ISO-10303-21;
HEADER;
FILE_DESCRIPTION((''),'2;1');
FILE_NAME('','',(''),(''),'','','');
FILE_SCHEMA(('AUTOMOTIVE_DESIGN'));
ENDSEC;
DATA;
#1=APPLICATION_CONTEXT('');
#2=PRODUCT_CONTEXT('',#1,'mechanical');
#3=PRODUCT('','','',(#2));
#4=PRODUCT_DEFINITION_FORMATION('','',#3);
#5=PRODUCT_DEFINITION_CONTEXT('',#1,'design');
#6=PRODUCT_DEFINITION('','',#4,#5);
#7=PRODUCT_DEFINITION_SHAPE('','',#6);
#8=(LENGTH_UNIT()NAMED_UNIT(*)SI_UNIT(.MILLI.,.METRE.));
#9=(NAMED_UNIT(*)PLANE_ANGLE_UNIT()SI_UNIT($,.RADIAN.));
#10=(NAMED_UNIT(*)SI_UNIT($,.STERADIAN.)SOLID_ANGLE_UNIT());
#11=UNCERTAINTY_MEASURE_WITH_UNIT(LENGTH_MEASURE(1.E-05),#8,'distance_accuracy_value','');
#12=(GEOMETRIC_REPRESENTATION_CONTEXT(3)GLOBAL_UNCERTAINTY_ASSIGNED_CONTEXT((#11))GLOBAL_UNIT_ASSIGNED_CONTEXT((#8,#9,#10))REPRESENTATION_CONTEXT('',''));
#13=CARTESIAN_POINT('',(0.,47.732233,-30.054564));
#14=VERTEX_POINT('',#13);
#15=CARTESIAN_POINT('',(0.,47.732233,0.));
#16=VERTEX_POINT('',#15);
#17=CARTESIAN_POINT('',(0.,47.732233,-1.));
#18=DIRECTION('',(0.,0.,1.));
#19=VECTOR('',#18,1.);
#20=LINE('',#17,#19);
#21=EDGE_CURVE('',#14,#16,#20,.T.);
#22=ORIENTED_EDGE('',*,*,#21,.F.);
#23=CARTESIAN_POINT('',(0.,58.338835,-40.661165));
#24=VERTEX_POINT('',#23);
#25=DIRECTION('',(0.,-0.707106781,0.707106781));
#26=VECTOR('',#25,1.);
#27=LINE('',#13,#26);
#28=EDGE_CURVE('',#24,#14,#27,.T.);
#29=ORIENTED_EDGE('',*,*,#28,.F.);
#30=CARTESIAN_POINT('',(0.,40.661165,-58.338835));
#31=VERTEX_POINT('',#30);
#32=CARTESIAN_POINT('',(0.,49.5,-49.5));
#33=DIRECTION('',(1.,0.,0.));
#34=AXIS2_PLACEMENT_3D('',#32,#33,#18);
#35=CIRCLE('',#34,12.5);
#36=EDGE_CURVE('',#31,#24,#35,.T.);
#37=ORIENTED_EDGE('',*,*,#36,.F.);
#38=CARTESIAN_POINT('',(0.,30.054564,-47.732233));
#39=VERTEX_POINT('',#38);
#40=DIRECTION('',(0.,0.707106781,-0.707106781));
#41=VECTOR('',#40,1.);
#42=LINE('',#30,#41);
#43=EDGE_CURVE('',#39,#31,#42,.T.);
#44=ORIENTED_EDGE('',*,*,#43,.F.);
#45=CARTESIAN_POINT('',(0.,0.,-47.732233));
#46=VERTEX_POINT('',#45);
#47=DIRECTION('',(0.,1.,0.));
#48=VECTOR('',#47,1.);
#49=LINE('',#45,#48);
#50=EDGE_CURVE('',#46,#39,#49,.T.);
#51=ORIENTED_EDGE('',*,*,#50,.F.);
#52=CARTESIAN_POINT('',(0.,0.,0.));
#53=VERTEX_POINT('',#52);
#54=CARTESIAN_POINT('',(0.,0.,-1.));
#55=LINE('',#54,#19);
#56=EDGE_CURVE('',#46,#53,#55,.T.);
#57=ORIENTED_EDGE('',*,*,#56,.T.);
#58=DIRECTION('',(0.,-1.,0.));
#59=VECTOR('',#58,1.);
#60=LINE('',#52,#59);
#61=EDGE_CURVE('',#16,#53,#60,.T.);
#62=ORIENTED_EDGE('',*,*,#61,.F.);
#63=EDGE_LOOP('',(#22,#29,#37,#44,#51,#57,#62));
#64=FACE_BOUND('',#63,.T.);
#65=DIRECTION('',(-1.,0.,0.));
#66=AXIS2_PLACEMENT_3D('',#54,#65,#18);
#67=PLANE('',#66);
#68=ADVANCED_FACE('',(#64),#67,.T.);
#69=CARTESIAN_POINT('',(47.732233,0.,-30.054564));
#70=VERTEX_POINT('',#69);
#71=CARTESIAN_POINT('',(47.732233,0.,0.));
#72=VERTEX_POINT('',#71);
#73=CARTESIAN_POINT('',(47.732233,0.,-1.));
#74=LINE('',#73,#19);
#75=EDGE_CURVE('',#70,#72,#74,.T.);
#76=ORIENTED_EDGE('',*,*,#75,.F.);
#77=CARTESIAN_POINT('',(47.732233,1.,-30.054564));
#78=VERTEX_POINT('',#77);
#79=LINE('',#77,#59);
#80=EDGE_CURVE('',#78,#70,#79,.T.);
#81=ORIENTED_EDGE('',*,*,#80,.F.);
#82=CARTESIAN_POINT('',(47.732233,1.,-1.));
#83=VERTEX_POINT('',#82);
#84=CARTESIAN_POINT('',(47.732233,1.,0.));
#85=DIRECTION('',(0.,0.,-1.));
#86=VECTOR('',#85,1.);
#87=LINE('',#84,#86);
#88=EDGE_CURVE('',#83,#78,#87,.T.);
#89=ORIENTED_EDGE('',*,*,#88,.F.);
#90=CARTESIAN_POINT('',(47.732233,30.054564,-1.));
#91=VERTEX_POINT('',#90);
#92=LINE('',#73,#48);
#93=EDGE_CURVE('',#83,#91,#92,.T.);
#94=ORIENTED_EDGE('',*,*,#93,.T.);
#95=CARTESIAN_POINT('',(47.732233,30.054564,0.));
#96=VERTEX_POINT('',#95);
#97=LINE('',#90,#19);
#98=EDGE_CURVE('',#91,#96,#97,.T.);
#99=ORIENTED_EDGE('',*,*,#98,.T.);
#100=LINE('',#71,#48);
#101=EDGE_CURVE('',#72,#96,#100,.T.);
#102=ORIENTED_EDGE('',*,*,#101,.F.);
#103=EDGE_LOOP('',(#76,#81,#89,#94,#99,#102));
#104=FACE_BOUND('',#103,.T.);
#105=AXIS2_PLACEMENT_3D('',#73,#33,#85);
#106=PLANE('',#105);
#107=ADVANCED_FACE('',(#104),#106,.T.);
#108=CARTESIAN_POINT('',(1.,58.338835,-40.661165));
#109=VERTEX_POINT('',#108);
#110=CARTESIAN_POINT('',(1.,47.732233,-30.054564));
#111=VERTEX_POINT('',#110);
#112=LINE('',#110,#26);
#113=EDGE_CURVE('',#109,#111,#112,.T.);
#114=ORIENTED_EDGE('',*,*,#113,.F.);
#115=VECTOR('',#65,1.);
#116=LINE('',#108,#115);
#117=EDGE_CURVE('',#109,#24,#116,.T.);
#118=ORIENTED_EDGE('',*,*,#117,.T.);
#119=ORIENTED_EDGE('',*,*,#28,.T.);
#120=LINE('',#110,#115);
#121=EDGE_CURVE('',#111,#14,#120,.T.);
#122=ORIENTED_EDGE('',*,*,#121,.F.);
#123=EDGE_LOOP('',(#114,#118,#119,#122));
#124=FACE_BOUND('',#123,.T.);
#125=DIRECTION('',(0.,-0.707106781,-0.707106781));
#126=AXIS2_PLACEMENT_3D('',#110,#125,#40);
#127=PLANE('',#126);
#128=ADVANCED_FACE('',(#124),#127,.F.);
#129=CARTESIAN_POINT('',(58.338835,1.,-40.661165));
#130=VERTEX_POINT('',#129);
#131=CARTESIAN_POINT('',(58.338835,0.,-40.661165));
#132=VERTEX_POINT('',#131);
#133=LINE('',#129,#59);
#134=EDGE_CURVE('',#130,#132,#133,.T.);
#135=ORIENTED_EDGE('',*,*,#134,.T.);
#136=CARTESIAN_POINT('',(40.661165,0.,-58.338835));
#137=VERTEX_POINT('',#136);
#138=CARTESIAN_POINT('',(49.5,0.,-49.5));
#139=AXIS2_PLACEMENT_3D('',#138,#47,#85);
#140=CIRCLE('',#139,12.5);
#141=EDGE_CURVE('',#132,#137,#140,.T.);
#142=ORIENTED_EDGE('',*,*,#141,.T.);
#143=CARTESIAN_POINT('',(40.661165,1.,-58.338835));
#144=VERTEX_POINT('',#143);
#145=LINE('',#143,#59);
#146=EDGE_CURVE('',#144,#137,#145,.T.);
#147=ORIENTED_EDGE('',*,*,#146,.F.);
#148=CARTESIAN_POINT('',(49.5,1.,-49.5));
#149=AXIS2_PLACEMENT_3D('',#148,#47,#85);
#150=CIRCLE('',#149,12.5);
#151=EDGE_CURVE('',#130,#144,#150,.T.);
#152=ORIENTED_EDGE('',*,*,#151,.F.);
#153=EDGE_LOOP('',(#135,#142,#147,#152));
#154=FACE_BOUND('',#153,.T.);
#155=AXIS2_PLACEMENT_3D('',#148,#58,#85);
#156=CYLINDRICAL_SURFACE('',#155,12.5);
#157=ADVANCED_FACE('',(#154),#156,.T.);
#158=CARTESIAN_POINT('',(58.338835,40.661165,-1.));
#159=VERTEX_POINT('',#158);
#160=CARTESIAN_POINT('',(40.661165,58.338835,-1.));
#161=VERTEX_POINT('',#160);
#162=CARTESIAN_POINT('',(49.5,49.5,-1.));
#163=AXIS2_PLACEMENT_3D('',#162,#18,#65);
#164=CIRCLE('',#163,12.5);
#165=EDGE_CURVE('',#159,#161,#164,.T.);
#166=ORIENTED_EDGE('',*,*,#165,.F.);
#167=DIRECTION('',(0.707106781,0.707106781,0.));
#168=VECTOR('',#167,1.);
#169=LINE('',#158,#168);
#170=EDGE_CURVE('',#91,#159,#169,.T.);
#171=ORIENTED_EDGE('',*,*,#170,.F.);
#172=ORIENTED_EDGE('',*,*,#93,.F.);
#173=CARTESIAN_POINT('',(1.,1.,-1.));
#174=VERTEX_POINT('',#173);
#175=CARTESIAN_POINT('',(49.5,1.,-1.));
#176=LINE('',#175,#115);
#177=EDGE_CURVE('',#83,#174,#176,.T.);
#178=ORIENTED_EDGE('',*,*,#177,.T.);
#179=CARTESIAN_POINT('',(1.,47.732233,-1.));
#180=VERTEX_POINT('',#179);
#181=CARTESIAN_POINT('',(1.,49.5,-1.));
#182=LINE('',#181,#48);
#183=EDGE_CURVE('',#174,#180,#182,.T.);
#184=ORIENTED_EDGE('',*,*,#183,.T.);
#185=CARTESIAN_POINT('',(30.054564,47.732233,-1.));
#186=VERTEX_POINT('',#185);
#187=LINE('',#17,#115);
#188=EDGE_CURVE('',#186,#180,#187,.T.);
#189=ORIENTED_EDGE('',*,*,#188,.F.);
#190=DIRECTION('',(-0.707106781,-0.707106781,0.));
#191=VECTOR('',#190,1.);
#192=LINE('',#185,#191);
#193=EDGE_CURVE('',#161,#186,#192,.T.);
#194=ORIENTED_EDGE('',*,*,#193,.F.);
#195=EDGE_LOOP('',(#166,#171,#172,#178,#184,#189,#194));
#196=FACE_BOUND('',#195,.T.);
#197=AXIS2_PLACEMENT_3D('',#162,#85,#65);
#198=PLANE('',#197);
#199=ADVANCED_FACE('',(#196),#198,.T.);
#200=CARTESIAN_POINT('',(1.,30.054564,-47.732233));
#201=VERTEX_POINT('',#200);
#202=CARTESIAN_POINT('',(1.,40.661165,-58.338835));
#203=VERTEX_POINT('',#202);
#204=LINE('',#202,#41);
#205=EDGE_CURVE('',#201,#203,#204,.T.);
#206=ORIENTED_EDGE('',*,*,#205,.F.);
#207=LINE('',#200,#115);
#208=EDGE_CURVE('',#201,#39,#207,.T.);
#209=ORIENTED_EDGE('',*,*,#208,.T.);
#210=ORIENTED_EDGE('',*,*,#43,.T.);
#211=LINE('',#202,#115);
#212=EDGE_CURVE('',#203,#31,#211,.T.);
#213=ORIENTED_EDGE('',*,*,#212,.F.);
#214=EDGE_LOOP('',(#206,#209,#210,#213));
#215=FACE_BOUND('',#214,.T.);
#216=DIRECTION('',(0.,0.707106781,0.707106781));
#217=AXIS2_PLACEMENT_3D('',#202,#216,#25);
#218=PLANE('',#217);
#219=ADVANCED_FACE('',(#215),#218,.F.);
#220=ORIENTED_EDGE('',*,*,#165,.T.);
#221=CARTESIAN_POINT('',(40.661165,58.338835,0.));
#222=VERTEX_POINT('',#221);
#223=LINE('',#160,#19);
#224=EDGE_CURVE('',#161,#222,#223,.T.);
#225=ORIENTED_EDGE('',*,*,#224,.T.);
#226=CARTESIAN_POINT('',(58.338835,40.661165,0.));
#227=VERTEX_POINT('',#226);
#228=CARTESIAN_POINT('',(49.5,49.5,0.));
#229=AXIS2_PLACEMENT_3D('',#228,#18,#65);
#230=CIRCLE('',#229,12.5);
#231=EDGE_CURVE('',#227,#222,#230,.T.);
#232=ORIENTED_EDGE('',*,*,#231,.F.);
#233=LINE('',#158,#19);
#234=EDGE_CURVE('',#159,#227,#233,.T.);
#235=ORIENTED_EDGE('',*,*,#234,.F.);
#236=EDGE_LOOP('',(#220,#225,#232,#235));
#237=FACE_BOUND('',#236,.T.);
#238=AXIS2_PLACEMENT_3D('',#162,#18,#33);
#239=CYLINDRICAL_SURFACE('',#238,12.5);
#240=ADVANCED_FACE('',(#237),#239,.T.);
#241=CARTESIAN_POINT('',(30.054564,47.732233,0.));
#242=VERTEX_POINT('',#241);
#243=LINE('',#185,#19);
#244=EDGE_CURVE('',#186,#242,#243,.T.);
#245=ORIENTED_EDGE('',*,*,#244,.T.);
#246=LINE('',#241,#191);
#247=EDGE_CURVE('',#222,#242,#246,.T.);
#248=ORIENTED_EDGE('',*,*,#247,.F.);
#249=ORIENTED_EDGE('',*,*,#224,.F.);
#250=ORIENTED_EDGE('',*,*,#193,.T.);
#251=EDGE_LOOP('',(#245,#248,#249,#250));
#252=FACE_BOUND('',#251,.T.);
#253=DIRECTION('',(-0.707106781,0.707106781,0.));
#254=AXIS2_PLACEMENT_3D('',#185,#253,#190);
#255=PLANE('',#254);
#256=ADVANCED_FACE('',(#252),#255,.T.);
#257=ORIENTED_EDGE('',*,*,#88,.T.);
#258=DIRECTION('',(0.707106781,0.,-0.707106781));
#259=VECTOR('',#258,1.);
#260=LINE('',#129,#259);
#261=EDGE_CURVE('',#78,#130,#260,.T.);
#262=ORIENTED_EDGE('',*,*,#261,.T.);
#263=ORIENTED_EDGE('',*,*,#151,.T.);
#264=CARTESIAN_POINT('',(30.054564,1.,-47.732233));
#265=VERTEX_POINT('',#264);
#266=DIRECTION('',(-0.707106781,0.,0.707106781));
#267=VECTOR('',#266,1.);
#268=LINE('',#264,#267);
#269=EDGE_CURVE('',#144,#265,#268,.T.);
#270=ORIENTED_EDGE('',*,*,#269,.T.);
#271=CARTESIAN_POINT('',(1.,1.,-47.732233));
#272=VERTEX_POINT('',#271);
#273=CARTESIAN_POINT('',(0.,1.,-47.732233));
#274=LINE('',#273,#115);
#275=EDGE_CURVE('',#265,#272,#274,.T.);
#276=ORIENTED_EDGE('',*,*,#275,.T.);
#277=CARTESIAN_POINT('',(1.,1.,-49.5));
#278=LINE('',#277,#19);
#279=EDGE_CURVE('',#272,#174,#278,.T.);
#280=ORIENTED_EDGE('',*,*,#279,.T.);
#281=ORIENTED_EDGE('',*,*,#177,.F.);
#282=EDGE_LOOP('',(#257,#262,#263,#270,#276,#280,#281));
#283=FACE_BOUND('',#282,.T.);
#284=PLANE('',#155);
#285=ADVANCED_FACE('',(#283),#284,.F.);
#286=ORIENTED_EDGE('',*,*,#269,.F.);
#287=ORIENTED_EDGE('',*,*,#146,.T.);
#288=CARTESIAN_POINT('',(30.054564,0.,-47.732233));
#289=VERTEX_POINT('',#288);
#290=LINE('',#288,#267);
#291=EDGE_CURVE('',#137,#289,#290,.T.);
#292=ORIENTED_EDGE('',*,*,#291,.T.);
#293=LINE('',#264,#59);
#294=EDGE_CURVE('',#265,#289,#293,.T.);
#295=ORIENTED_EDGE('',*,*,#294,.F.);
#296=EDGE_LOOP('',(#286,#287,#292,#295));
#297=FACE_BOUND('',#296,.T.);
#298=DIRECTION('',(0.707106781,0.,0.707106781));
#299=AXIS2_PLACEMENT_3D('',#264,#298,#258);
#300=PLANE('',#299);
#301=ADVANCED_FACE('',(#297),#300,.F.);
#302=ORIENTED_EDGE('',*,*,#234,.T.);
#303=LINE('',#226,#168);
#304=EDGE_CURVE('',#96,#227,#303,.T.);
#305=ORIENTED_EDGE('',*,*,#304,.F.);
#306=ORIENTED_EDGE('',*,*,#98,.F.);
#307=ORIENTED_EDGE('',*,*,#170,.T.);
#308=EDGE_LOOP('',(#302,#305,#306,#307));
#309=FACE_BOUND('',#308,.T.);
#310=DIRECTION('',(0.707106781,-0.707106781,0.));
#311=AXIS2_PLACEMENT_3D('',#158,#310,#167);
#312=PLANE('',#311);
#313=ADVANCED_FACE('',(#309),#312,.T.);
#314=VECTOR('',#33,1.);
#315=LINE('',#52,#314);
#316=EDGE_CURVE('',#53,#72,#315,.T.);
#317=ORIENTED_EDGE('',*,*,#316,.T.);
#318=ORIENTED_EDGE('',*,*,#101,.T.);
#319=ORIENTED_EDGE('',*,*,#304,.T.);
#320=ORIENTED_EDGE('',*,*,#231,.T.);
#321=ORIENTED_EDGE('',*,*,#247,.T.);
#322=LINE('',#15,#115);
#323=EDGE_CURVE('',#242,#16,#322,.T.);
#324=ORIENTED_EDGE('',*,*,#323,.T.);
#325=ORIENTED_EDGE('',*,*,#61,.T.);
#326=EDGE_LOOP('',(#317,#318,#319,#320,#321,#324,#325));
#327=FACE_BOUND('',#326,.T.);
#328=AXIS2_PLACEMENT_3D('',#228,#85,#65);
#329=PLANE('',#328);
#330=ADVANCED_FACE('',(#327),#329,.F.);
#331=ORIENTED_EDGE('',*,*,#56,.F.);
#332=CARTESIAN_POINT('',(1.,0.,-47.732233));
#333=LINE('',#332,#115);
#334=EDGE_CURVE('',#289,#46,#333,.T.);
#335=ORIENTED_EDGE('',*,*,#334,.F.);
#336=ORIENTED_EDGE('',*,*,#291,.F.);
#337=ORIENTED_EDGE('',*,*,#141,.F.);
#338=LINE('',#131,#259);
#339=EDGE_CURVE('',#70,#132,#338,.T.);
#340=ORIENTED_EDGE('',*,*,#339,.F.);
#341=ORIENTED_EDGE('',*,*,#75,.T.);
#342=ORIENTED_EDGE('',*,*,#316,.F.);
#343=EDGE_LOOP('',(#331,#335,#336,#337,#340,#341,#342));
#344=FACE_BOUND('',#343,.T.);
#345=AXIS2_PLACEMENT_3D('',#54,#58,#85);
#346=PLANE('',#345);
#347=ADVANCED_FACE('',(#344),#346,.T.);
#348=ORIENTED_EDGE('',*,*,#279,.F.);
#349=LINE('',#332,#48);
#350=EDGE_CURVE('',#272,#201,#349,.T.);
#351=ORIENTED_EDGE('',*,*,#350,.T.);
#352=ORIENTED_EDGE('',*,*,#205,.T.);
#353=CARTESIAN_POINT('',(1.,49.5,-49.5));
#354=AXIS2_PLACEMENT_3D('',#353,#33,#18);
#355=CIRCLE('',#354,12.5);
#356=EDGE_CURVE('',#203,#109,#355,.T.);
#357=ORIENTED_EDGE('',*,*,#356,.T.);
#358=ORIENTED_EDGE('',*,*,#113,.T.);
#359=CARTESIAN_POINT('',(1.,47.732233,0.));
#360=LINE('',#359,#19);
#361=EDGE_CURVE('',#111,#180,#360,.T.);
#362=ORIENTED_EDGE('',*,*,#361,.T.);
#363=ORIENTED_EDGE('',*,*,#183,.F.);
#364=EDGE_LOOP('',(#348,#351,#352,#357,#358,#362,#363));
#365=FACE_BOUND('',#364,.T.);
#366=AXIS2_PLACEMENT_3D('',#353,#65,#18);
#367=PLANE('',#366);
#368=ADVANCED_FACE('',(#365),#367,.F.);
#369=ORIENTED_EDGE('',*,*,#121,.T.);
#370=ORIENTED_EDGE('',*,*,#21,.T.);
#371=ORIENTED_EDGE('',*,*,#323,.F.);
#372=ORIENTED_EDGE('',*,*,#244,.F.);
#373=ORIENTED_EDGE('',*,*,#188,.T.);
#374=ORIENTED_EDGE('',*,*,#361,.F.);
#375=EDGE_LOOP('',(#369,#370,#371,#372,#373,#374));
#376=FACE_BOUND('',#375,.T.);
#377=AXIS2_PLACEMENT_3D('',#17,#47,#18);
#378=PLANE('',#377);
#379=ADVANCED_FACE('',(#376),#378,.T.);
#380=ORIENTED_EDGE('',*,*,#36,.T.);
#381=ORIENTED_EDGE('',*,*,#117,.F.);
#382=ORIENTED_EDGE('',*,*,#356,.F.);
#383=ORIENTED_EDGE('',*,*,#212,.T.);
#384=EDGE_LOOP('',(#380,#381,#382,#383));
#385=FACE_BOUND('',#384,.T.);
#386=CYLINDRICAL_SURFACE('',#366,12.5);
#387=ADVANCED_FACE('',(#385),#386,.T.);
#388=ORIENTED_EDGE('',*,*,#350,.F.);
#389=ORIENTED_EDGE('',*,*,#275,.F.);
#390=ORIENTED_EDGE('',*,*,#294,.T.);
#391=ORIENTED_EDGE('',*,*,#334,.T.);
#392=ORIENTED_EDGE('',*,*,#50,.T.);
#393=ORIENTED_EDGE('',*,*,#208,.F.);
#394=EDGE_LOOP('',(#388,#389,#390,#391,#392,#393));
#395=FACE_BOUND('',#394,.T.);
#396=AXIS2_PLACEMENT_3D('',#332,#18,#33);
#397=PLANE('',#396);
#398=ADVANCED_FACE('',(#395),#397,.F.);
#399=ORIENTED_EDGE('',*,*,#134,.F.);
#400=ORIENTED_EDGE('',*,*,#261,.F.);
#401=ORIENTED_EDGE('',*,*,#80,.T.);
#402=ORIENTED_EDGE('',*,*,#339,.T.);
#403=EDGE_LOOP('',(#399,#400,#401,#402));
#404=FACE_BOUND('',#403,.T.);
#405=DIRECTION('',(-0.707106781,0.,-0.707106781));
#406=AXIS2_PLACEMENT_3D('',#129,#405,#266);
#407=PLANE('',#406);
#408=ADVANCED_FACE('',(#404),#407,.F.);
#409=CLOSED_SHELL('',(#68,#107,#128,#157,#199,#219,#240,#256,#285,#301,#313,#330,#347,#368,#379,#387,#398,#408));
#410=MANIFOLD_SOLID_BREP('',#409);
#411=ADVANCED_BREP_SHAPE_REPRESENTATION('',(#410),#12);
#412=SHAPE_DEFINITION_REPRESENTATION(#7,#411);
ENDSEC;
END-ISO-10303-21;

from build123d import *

# Parameters (mm, degrees)
BOSS_EXTRUDE1_DEPTH = 1
BOSS_EXTRUDE2_DEPTH = 1
BOSS_EXTRUDE3_DEPTH = 1


with BuildPart() as part:
    # Sketch1 → Boss-Extrude1 (new body)
    with BuildSketch(Plane.XY):
        with BuildLine():
            Line((30.054563517, 47.732233047), (40.661165235, 58.338834765))
            ThreePointArc((40.661165235, 58.338834765), (58.338834765, 58.338834765), (58.338834765, 40.661165235))
            Line((58.338834765, 40.661165235), (47.732233047, 30.054563517))
            Line((47.732233047, 30.054563517), (47.732233047, 0))
            Line((47.732233047, 0), (0, 0))
            Line((0, 0), (0, 47.732233047))
            Line((0, 47.732233047), (30.054563517, 47.732233047))
        make_face()
    extrude(amount=-BOSS_EXTRUDE1_DEPTH)

    # Sketch2 → Boss-Extrude2 (add)
    with BuildSketch(Plane(origin=(0, 0, 0), x_dir=(0, 0, -1), z_dir=(1, 0, 0))):
        with BuildLine():
            Line((30.054563517, 47.732233047), (40.661165235, 58.338834765))
            ThreePointArc((40.661165235, 58.338834765), (58.338834765, 58.338834765), (58.338834765, 40.661165235))
            Line((58.338834765, 40.661165235), (47.732233047, 30.054563517))
            Line((47.732233047, 30.054563517), (47.732233047, 0))
            Line((47.732233047, 0), (0, 0))
            Line((0, 0), (0, 47.732233047))
            Line((0, 47.732233047), (30.054563517, 47.732233047))
        make_face()
    extrude(amount=BOSS_EXTRUDE2_DEPTH)

    # Sketch3 → Boss-Extrude3 (add)
    with BuildSketch(Plane(origin=(0, 0, 0), x_dir=(1, 0, 0), z_dir=(0, 1, 0))):
        with BuildLine():
            Line((30.054563517, 47.732233047), (40.661165235, 58.338834765))
            ThreePointArc((40.661165235, 58.338834765), (58.338834765, 58.338834765), (58.338834765, 40.661165235))
            Line((58.338834765, 40.661165235), (47.732233047, 30.054563517))
            Line((47.732233047, 30.054563517), (47.732233047, 0))
            Line((47.732233047, 0), (0, 0))
            Line((0, 0), (0, 47.732233047))
            Line((0, 47.732233047), (30.054563517, 47.732233047))
        make_face()
    extrude(amount=BOSS_EXTRUDE3_DEPTH)


solid = part.part
